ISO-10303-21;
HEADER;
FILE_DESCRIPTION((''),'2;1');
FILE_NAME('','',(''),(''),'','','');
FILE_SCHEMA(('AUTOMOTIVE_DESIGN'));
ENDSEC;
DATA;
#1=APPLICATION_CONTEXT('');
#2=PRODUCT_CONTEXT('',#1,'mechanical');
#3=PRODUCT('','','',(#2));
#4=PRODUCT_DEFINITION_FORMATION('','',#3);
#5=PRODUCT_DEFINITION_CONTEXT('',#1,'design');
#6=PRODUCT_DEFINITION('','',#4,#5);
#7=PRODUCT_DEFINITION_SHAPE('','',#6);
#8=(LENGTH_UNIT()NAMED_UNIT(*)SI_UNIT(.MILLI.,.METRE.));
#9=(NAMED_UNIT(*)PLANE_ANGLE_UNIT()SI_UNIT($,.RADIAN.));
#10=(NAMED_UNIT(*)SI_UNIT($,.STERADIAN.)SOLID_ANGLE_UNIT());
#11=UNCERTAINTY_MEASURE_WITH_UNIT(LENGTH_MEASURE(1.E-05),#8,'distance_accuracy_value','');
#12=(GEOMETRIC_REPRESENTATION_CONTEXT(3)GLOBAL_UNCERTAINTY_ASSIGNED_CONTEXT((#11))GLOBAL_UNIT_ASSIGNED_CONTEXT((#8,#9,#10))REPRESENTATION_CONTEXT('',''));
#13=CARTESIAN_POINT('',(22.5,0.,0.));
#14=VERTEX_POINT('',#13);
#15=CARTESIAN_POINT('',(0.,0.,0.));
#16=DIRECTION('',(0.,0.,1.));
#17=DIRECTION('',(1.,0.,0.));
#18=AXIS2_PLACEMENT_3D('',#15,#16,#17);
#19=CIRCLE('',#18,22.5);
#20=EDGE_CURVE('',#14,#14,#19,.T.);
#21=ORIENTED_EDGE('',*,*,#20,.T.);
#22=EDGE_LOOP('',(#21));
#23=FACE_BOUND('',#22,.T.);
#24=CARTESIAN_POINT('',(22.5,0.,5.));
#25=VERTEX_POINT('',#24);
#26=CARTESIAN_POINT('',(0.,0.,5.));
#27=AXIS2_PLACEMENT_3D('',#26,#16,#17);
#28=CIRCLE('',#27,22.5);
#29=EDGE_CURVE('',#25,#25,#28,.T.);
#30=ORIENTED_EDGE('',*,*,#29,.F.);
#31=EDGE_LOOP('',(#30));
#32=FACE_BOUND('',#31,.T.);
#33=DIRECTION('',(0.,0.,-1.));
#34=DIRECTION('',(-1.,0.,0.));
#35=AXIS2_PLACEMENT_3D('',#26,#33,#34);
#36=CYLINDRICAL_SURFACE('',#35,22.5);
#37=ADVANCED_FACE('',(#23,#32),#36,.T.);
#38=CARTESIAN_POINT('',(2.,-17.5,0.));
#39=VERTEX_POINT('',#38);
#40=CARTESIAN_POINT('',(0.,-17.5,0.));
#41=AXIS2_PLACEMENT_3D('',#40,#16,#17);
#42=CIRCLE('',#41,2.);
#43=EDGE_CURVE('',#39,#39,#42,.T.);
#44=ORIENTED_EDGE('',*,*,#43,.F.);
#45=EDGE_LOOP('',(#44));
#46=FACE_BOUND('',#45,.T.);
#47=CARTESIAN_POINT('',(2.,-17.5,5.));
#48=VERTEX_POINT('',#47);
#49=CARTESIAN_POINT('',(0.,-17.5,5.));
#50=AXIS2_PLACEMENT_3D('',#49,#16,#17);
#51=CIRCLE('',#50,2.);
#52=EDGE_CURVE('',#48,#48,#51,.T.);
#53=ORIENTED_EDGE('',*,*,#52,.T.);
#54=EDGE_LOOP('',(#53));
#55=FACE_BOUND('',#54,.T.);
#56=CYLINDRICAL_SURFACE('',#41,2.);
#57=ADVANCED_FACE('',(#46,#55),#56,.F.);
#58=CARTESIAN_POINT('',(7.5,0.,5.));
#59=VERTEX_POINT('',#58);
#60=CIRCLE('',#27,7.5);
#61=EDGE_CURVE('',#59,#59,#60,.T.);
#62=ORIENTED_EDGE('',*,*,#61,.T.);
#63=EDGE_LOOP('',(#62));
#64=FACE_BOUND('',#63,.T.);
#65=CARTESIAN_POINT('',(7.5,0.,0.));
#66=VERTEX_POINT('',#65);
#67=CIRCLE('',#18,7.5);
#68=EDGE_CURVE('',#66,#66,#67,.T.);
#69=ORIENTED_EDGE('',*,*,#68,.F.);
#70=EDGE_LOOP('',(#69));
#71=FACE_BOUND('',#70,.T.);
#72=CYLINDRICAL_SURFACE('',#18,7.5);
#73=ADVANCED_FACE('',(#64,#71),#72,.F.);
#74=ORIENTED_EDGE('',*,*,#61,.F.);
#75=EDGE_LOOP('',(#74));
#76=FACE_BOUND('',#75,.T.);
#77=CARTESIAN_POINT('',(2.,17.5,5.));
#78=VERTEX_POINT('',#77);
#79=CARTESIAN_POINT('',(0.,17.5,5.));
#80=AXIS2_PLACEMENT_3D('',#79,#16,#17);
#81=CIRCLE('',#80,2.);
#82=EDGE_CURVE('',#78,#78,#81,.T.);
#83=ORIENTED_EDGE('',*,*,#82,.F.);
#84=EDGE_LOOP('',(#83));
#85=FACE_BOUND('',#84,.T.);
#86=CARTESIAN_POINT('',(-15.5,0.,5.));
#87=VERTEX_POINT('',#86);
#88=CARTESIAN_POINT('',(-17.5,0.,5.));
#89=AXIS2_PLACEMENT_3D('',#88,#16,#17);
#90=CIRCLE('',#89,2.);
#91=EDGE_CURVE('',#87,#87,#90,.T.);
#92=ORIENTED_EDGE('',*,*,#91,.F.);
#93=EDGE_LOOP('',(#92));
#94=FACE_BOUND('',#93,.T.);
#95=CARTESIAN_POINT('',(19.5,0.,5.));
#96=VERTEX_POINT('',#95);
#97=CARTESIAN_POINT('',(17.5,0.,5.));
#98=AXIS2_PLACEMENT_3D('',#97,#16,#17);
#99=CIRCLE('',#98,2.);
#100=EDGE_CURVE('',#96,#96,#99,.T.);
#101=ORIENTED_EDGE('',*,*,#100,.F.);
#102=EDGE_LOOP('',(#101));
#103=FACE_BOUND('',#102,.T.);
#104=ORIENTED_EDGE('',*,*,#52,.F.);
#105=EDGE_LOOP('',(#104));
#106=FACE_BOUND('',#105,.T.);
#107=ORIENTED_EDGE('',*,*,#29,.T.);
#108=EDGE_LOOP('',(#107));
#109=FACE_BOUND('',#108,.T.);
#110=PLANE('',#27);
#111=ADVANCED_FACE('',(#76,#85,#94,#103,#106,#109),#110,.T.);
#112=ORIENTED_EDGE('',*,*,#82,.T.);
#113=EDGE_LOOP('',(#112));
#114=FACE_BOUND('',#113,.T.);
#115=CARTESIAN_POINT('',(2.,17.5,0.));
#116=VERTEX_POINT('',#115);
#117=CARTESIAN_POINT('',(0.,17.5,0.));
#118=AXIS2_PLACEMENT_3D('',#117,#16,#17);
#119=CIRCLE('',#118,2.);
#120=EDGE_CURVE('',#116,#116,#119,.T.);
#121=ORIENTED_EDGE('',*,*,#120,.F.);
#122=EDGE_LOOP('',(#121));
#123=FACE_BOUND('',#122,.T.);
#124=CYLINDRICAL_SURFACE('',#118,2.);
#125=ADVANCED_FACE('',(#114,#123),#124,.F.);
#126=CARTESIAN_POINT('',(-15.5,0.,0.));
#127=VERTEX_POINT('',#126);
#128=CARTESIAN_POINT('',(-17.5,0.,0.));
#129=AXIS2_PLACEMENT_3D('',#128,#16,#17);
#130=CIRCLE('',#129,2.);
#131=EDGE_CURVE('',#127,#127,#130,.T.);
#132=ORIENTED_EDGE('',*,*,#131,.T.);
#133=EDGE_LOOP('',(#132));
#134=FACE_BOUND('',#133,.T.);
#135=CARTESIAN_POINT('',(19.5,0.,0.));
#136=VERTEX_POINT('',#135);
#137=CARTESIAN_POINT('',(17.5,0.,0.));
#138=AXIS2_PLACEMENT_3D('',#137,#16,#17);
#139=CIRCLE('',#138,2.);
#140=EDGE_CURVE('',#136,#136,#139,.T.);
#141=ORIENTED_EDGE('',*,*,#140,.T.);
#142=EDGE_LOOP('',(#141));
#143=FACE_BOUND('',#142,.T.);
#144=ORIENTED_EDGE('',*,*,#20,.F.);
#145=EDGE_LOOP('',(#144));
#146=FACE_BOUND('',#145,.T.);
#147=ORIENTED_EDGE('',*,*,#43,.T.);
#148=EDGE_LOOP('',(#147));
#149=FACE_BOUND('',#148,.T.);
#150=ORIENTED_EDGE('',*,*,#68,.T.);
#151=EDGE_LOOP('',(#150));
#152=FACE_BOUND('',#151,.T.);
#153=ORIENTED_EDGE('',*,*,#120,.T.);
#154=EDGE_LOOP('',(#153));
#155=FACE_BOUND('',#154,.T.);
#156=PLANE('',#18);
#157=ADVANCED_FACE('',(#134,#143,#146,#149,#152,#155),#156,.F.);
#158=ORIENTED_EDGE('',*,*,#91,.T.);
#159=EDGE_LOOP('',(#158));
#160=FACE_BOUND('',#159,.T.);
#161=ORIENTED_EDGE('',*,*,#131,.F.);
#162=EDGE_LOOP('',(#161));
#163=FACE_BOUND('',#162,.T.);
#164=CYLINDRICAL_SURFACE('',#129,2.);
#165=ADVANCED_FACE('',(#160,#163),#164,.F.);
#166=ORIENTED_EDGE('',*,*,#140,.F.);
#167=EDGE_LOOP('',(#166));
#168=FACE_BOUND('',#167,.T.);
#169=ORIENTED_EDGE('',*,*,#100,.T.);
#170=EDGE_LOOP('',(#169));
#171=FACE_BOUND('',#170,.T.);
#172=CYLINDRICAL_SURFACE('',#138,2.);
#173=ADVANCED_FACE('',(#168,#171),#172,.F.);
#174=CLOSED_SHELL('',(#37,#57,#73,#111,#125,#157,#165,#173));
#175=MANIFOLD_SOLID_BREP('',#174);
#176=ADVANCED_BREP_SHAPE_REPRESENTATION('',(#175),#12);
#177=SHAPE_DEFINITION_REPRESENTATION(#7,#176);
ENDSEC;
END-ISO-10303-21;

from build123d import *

# Parameters (mm, degrees)
SKETCH_1_R               = 22.5
EXTRUDE_1_DEPTH          = 5
SKETCH_2_R               = 7.5
CUT_EXTRUDE_1_DEPTH      = 33.210246817
CUT_EXTRUDE_2_DEPTH      = 33.210246817
CUT_EXTRUDE_2_DEPTH_BACK = 33.210246817
SKETCH_3_R               = 2


with BuildPart() as part:
    # 草图1 → 凸台-拉伸1 (new body)
    with BuildSketch(Plane.XY):
        Circle(SKETCH_1_R)
    extrude(amount=EXTRUDE_1_DEPTH)

    # 草图2 → 切除-拉伸1 (cut, through all)
    with BuildSketch(Plane.XY.offset(5)):
        Circle(SKETCH_2_R)
    extrude(amount=-CUT_EXTRUDE_1_DEPTH, mode=Mode.SUBTRACT)

    # 草图3 → 切除-拉伸2 (cut, two sides: drawn at the far end of the back side and taken through both)
    with BuildSketch(Plane.XY.offset(5).offset(-CUT_EXTRUDE_2_DEPTH_BACK)):
        with Locations((-17.5, 0)):
            Circle(SKETCH_3_R)
        with Locations((0, -17.5)):
            Circle(SKETCH_3_R)
        with Locations((17.5, 0)):
            Circle(SKETCH_3_R)
        with Locations((0, 17.5)):
            Circle(SKETCH_3_R)
    extrude(amount=CUT_EXTRUDE_2_DEPTH + CUT_EXTRUDE_2_DEPTH_BACK, mode=Mode.SUBTRACT)


solid = part.part
